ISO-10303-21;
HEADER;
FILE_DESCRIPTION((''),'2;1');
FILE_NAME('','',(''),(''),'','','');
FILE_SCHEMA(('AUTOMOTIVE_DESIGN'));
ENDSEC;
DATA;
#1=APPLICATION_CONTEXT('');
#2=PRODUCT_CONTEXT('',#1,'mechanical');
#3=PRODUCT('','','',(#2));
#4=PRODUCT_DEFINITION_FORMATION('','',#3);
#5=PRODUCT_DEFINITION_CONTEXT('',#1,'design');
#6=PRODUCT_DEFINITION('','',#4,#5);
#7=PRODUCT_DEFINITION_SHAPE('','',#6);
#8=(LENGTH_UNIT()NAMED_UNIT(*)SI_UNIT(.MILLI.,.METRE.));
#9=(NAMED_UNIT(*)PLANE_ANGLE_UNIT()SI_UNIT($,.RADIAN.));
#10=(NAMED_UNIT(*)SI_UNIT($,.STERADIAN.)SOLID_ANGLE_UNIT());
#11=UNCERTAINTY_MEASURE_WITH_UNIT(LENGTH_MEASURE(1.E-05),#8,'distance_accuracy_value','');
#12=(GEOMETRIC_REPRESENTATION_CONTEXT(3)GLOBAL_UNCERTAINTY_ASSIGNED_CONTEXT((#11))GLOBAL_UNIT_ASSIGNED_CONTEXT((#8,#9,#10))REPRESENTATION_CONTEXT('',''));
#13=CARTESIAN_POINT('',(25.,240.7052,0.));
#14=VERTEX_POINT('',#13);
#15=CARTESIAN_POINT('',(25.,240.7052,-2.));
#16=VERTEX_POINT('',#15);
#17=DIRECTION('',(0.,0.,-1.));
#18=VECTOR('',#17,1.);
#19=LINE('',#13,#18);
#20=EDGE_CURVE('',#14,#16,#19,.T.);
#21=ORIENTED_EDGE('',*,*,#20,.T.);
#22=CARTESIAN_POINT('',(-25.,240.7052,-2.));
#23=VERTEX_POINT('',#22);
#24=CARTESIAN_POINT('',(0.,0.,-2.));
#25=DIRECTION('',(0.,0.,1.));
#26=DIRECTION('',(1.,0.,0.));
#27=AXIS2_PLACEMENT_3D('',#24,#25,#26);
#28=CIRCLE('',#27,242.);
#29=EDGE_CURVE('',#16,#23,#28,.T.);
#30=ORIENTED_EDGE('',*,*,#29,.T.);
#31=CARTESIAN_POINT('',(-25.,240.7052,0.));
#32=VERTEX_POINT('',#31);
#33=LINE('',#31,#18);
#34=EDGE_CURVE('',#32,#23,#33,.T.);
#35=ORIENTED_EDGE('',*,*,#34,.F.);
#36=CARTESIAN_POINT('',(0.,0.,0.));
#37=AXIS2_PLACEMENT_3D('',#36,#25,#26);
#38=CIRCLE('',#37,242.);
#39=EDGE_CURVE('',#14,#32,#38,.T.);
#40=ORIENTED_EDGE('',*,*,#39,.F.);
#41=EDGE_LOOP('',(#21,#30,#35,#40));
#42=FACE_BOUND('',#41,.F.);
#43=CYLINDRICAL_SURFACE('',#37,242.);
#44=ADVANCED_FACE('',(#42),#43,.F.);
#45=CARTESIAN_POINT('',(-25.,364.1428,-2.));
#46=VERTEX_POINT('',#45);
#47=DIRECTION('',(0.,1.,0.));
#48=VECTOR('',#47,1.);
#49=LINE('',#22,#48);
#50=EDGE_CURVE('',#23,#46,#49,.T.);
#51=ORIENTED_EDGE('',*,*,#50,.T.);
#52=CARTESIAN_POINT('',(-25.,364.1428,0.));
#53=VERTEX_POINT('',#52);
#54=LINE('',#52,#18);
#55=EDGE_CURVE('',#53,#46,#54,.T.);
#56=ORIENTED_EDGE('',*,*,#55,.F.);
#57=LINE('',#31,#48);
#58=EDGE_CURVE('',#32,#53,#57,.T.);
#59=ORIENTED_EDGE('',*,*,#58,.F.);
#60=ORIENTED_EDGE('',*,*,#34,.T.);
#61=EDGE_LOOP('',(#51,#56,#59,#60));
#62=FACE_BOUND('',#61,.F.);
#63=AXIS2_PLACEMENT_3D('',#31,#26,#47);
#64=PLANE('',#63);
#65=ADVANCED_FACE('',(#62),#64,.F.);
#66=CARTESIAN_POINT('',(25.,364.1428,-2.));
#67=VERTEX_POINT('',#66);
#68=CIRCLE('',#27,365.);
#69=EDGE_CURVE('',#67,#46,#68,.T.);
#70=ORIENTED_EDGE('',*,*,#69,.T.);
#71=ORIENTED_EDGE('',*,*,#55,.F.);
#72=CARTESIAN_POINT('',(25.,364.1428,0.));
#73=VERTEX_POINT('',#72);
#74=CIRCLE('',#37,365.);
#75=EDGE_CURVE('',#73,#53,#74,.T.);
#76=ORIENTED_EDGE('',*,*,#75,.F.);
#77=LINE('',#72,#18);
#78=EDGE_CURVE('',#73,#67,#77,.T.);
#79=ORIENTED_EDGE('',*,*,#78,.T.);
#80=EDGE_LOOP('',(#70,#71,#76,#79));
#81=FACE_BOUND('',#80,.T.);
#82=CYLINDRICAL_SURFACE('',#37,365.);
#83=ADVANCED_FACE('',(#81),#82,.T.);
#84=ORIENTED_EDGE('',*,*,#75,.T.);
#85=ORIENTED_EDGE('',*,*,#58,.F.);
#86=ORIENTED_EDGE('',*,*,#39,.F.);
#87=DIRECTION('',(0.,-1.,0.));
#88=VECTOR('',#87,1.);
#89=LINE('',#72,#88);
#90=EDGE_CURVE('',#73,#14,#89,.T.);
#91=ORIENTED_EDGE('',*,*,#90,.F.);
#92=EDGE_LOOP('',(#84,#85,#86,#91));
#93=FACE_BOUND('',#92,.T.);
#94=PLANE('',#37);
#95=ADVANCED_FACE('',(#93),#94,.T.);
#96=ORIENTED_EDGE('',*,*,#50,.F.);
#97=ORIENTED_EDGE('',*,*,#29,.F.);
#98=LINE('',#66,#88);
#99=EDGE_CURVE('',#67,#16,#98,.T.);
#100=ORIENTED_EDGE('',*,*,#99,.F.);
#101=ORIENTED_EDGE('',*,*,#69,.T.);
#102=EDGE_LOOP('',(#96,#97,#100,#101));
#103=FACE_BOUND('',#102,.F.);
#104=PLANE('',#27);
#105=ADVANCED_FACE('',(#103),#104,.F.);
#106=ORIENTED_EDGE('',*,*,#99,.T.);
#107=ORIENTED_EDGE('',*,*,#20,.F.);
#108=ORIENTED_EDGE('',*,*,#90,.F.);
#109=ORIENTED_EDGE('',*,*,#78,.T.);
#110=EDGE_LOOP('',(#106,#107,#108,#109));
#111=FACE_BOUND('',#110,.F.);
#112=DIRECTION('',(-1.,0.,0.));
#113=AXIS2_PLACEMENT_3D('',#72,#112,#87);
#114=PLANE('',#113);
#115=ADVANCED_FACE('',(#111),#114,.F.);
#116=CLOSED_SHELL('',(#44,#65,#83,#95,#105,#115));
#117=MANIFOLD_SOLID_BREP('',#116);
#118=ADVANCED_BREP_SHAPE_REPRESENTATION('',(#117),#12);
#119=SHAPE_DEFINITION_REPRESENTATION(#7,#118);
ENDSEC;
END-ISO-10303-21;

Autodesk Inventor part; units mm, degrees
ref_plane "YZ Plane" through (0, 0, 0) normal (1, 0, 0) x (0, 1, 0)
ref_plane "XZ Plane" through (0, 0, 0) normal (0, 1, 0) x (-1, 0, 0)
ref_plane "XY Plane" through (0, 0, 0) normal (0, 0, 1) x (1, 0, 0)
sketch "Sketch1" plane through (0, 0, 0) normal (0, 0, 1) x (1, 0, 0)
  circle A0 centre (0, 0) radius 242
  line L0 (-25, 364.1428) -> (25, 364.1428)
  line L1 (25, 364.1428) -> (25, 240.7052)
  line L2 (25, 240.7052) -> (-25, 240.7052)
  line L3 (-25, 240.7052) -> (-25, 364.1428)
  circle A1 centre (0, 0) radius 365
  dimension "d28" = 730
  dimension "d26" = 484
  dimension "d27" = 50
extrude "Plate1" add sketch "Sketch1" against normal blind 2 contours A0 L3 L0 L1 | L0 A1
equation "\"d26\" = Колесо_диам_3 + 2 * Thickness"
equation "\"d15\" = Thickness"
equation "\"BendRadius\" = Thickness"
equation "\"BendReliefWidth\" = Thickness"
equation "\"BendReliefDepth\" = 0.5 * Thickness"
equation "\"CornerReliefSize\" = 4 * Thickness"
equation "\"MinimumRemnant\" = 2 * Thickness"
equation "\"TransitionRadius\" = BendRadius"
equation "\"JacobiRadiusSize\" = BendRadius"
equation "\"GapSize\" = Thickness"
equation "\"Колесо_диам_3\" = 480"
equation "\"Thickness\" = 2"
properties part number "ДМФ 01 13 Барабан усилитель v2.0"
